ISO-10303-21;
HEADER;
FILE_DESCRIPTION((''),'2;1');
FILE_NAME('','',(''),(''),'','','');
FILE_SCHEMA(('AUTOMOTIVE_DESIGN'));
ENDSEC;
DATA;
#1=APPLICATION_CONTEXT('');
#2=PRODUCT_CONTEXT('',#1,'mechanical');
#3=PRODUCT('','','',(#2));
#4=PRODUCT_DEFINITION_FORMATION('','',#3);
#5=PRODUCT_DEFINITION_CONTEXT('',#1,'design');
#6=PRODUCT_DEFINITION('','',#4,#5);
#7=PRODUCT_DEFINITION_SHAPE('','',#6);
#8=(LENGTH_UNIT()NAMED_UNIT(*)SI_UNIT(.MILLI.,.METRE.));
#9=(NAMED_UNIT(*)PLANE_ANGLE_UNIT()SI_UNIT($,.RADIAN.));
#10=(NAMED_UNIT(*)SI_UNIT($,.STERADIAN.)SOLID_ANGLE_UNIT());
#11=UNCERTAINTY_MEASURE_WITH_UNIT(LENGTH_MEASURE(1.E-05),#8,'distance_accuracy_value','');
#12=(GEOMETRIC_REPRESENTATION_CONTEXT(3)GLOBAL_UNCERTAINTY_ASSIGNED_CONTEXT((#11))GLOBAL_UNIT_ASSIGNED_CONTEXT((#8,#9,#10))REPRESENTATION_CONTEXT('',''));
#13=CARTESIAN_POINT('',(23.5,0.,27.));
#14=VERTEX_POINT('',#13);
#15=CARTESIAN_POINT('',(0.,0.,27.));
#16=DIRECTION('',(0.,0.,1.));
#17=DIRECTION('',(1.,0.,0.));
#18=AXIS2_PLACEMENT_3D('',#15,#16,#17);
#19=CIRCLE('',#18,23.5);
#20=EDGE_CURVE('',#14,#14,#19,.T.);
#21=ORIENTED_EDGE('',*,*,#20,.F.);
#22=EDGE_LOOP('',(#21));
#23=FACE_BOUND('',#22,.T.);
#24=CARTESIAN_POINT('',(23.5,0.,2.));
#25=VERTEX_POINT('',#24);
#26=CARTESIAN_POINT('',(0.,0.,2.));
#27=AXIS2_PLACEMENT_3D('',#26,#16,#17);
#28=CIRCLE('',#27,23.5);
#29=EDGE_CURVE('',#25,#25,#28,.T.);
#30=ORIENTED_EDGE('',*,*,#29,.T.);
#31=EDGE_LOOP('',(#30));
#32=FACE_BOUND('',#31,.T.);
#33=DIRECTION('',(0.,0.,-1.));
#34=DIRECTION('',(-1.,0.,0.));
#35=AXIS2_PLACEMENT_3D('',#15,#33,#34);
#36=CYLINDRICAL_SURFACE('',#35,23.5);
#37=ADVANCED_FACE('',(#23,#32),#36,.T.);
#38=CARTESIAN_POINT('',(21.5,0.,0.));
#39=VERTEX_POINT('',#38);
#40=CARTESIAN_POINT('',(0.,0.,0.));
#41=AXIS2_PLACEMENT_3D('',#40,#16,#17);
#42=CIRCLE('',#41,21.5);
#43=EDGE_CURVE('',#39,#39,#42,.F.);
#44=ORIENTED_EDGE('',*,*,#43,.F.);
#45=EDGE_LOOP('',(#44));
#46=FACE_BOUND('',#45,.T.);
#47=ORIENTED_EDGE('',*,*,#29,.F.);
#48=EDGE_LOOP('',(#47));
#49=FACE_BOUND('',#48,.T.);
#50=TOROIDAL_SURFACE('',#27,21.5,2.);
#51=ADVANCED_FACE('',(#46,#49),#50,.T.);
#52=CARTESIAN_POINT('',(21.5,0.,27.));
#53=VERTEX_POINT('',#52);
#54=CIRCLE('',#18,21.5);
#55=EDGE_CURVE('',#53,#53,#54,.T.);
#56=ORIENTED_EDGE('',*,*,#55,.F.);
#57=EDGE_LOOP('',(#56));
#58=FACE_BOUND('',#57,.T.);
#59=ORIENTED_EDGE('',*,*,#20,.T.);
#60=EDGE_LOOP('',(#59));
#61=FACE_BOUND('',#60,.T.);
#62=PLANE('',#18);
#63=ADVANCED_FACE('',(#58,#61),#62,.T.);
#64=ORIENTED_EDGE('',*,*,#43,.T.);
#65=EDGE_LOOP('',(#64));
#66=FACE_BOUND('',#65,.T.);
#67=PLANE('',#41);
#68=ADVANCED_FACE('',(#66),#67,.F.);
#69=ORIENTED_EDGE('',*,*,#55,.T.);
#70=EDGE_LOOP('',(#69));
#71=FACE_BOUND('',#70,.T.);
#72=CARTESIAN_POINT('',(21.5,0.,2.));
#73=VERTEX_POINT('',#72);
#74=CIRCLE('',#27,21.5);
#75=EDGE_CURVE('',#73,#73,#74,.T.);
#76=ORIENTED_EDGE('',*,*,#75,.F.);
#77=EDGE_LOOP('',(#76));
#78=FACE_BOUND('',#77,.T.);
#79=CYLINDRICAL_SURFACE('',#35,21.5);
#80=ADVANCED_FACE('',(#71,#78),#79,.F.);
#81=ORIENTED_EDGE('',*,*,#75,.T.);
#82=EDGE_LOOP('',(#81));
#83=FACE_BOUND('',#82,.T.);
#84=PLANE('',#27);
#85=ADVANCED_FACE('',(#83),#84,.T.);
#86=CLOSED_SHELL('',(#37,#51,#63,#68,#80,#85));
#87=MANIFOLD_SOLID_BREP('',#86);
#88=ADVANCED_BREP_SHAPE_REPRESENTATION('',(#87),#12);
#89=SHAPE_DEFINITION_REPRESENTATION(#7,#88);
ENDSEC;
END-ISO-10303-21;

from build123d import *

# Parameters (mm, degrees)
SKETCH1_R           = 23.5
BOSS_EXTRUDE1_DEPTH = 27
SHELL1_T            = -2
FILLET1_R           = 2


with BuildPart() as part:
    # Sketch1 → Boss-Extrude1 (new body)
    with BuildSketch(Plane.XY):
        Circle(SKETCH1_R)
    extrude(amount=BOSS_EXTRUDE1_DEPTH)

    # Shell1
    shell1_openings = [part.faces().sort_by_distance(p)[0] for p in [
        (0, 0, 27),
    ]]
    offset(amount=SHELL1_T, openings=shell1_openings, kind=Kind.INTERSECTION)

    # Fillet1
    fillet1_edges = [part.edges().sort_by_distance(p)[0] for p in [
        (-23.5, 0, 0),
    ]]
    fillet(fillet1_edges, radius=FILLET1_R)


solid = part.part
